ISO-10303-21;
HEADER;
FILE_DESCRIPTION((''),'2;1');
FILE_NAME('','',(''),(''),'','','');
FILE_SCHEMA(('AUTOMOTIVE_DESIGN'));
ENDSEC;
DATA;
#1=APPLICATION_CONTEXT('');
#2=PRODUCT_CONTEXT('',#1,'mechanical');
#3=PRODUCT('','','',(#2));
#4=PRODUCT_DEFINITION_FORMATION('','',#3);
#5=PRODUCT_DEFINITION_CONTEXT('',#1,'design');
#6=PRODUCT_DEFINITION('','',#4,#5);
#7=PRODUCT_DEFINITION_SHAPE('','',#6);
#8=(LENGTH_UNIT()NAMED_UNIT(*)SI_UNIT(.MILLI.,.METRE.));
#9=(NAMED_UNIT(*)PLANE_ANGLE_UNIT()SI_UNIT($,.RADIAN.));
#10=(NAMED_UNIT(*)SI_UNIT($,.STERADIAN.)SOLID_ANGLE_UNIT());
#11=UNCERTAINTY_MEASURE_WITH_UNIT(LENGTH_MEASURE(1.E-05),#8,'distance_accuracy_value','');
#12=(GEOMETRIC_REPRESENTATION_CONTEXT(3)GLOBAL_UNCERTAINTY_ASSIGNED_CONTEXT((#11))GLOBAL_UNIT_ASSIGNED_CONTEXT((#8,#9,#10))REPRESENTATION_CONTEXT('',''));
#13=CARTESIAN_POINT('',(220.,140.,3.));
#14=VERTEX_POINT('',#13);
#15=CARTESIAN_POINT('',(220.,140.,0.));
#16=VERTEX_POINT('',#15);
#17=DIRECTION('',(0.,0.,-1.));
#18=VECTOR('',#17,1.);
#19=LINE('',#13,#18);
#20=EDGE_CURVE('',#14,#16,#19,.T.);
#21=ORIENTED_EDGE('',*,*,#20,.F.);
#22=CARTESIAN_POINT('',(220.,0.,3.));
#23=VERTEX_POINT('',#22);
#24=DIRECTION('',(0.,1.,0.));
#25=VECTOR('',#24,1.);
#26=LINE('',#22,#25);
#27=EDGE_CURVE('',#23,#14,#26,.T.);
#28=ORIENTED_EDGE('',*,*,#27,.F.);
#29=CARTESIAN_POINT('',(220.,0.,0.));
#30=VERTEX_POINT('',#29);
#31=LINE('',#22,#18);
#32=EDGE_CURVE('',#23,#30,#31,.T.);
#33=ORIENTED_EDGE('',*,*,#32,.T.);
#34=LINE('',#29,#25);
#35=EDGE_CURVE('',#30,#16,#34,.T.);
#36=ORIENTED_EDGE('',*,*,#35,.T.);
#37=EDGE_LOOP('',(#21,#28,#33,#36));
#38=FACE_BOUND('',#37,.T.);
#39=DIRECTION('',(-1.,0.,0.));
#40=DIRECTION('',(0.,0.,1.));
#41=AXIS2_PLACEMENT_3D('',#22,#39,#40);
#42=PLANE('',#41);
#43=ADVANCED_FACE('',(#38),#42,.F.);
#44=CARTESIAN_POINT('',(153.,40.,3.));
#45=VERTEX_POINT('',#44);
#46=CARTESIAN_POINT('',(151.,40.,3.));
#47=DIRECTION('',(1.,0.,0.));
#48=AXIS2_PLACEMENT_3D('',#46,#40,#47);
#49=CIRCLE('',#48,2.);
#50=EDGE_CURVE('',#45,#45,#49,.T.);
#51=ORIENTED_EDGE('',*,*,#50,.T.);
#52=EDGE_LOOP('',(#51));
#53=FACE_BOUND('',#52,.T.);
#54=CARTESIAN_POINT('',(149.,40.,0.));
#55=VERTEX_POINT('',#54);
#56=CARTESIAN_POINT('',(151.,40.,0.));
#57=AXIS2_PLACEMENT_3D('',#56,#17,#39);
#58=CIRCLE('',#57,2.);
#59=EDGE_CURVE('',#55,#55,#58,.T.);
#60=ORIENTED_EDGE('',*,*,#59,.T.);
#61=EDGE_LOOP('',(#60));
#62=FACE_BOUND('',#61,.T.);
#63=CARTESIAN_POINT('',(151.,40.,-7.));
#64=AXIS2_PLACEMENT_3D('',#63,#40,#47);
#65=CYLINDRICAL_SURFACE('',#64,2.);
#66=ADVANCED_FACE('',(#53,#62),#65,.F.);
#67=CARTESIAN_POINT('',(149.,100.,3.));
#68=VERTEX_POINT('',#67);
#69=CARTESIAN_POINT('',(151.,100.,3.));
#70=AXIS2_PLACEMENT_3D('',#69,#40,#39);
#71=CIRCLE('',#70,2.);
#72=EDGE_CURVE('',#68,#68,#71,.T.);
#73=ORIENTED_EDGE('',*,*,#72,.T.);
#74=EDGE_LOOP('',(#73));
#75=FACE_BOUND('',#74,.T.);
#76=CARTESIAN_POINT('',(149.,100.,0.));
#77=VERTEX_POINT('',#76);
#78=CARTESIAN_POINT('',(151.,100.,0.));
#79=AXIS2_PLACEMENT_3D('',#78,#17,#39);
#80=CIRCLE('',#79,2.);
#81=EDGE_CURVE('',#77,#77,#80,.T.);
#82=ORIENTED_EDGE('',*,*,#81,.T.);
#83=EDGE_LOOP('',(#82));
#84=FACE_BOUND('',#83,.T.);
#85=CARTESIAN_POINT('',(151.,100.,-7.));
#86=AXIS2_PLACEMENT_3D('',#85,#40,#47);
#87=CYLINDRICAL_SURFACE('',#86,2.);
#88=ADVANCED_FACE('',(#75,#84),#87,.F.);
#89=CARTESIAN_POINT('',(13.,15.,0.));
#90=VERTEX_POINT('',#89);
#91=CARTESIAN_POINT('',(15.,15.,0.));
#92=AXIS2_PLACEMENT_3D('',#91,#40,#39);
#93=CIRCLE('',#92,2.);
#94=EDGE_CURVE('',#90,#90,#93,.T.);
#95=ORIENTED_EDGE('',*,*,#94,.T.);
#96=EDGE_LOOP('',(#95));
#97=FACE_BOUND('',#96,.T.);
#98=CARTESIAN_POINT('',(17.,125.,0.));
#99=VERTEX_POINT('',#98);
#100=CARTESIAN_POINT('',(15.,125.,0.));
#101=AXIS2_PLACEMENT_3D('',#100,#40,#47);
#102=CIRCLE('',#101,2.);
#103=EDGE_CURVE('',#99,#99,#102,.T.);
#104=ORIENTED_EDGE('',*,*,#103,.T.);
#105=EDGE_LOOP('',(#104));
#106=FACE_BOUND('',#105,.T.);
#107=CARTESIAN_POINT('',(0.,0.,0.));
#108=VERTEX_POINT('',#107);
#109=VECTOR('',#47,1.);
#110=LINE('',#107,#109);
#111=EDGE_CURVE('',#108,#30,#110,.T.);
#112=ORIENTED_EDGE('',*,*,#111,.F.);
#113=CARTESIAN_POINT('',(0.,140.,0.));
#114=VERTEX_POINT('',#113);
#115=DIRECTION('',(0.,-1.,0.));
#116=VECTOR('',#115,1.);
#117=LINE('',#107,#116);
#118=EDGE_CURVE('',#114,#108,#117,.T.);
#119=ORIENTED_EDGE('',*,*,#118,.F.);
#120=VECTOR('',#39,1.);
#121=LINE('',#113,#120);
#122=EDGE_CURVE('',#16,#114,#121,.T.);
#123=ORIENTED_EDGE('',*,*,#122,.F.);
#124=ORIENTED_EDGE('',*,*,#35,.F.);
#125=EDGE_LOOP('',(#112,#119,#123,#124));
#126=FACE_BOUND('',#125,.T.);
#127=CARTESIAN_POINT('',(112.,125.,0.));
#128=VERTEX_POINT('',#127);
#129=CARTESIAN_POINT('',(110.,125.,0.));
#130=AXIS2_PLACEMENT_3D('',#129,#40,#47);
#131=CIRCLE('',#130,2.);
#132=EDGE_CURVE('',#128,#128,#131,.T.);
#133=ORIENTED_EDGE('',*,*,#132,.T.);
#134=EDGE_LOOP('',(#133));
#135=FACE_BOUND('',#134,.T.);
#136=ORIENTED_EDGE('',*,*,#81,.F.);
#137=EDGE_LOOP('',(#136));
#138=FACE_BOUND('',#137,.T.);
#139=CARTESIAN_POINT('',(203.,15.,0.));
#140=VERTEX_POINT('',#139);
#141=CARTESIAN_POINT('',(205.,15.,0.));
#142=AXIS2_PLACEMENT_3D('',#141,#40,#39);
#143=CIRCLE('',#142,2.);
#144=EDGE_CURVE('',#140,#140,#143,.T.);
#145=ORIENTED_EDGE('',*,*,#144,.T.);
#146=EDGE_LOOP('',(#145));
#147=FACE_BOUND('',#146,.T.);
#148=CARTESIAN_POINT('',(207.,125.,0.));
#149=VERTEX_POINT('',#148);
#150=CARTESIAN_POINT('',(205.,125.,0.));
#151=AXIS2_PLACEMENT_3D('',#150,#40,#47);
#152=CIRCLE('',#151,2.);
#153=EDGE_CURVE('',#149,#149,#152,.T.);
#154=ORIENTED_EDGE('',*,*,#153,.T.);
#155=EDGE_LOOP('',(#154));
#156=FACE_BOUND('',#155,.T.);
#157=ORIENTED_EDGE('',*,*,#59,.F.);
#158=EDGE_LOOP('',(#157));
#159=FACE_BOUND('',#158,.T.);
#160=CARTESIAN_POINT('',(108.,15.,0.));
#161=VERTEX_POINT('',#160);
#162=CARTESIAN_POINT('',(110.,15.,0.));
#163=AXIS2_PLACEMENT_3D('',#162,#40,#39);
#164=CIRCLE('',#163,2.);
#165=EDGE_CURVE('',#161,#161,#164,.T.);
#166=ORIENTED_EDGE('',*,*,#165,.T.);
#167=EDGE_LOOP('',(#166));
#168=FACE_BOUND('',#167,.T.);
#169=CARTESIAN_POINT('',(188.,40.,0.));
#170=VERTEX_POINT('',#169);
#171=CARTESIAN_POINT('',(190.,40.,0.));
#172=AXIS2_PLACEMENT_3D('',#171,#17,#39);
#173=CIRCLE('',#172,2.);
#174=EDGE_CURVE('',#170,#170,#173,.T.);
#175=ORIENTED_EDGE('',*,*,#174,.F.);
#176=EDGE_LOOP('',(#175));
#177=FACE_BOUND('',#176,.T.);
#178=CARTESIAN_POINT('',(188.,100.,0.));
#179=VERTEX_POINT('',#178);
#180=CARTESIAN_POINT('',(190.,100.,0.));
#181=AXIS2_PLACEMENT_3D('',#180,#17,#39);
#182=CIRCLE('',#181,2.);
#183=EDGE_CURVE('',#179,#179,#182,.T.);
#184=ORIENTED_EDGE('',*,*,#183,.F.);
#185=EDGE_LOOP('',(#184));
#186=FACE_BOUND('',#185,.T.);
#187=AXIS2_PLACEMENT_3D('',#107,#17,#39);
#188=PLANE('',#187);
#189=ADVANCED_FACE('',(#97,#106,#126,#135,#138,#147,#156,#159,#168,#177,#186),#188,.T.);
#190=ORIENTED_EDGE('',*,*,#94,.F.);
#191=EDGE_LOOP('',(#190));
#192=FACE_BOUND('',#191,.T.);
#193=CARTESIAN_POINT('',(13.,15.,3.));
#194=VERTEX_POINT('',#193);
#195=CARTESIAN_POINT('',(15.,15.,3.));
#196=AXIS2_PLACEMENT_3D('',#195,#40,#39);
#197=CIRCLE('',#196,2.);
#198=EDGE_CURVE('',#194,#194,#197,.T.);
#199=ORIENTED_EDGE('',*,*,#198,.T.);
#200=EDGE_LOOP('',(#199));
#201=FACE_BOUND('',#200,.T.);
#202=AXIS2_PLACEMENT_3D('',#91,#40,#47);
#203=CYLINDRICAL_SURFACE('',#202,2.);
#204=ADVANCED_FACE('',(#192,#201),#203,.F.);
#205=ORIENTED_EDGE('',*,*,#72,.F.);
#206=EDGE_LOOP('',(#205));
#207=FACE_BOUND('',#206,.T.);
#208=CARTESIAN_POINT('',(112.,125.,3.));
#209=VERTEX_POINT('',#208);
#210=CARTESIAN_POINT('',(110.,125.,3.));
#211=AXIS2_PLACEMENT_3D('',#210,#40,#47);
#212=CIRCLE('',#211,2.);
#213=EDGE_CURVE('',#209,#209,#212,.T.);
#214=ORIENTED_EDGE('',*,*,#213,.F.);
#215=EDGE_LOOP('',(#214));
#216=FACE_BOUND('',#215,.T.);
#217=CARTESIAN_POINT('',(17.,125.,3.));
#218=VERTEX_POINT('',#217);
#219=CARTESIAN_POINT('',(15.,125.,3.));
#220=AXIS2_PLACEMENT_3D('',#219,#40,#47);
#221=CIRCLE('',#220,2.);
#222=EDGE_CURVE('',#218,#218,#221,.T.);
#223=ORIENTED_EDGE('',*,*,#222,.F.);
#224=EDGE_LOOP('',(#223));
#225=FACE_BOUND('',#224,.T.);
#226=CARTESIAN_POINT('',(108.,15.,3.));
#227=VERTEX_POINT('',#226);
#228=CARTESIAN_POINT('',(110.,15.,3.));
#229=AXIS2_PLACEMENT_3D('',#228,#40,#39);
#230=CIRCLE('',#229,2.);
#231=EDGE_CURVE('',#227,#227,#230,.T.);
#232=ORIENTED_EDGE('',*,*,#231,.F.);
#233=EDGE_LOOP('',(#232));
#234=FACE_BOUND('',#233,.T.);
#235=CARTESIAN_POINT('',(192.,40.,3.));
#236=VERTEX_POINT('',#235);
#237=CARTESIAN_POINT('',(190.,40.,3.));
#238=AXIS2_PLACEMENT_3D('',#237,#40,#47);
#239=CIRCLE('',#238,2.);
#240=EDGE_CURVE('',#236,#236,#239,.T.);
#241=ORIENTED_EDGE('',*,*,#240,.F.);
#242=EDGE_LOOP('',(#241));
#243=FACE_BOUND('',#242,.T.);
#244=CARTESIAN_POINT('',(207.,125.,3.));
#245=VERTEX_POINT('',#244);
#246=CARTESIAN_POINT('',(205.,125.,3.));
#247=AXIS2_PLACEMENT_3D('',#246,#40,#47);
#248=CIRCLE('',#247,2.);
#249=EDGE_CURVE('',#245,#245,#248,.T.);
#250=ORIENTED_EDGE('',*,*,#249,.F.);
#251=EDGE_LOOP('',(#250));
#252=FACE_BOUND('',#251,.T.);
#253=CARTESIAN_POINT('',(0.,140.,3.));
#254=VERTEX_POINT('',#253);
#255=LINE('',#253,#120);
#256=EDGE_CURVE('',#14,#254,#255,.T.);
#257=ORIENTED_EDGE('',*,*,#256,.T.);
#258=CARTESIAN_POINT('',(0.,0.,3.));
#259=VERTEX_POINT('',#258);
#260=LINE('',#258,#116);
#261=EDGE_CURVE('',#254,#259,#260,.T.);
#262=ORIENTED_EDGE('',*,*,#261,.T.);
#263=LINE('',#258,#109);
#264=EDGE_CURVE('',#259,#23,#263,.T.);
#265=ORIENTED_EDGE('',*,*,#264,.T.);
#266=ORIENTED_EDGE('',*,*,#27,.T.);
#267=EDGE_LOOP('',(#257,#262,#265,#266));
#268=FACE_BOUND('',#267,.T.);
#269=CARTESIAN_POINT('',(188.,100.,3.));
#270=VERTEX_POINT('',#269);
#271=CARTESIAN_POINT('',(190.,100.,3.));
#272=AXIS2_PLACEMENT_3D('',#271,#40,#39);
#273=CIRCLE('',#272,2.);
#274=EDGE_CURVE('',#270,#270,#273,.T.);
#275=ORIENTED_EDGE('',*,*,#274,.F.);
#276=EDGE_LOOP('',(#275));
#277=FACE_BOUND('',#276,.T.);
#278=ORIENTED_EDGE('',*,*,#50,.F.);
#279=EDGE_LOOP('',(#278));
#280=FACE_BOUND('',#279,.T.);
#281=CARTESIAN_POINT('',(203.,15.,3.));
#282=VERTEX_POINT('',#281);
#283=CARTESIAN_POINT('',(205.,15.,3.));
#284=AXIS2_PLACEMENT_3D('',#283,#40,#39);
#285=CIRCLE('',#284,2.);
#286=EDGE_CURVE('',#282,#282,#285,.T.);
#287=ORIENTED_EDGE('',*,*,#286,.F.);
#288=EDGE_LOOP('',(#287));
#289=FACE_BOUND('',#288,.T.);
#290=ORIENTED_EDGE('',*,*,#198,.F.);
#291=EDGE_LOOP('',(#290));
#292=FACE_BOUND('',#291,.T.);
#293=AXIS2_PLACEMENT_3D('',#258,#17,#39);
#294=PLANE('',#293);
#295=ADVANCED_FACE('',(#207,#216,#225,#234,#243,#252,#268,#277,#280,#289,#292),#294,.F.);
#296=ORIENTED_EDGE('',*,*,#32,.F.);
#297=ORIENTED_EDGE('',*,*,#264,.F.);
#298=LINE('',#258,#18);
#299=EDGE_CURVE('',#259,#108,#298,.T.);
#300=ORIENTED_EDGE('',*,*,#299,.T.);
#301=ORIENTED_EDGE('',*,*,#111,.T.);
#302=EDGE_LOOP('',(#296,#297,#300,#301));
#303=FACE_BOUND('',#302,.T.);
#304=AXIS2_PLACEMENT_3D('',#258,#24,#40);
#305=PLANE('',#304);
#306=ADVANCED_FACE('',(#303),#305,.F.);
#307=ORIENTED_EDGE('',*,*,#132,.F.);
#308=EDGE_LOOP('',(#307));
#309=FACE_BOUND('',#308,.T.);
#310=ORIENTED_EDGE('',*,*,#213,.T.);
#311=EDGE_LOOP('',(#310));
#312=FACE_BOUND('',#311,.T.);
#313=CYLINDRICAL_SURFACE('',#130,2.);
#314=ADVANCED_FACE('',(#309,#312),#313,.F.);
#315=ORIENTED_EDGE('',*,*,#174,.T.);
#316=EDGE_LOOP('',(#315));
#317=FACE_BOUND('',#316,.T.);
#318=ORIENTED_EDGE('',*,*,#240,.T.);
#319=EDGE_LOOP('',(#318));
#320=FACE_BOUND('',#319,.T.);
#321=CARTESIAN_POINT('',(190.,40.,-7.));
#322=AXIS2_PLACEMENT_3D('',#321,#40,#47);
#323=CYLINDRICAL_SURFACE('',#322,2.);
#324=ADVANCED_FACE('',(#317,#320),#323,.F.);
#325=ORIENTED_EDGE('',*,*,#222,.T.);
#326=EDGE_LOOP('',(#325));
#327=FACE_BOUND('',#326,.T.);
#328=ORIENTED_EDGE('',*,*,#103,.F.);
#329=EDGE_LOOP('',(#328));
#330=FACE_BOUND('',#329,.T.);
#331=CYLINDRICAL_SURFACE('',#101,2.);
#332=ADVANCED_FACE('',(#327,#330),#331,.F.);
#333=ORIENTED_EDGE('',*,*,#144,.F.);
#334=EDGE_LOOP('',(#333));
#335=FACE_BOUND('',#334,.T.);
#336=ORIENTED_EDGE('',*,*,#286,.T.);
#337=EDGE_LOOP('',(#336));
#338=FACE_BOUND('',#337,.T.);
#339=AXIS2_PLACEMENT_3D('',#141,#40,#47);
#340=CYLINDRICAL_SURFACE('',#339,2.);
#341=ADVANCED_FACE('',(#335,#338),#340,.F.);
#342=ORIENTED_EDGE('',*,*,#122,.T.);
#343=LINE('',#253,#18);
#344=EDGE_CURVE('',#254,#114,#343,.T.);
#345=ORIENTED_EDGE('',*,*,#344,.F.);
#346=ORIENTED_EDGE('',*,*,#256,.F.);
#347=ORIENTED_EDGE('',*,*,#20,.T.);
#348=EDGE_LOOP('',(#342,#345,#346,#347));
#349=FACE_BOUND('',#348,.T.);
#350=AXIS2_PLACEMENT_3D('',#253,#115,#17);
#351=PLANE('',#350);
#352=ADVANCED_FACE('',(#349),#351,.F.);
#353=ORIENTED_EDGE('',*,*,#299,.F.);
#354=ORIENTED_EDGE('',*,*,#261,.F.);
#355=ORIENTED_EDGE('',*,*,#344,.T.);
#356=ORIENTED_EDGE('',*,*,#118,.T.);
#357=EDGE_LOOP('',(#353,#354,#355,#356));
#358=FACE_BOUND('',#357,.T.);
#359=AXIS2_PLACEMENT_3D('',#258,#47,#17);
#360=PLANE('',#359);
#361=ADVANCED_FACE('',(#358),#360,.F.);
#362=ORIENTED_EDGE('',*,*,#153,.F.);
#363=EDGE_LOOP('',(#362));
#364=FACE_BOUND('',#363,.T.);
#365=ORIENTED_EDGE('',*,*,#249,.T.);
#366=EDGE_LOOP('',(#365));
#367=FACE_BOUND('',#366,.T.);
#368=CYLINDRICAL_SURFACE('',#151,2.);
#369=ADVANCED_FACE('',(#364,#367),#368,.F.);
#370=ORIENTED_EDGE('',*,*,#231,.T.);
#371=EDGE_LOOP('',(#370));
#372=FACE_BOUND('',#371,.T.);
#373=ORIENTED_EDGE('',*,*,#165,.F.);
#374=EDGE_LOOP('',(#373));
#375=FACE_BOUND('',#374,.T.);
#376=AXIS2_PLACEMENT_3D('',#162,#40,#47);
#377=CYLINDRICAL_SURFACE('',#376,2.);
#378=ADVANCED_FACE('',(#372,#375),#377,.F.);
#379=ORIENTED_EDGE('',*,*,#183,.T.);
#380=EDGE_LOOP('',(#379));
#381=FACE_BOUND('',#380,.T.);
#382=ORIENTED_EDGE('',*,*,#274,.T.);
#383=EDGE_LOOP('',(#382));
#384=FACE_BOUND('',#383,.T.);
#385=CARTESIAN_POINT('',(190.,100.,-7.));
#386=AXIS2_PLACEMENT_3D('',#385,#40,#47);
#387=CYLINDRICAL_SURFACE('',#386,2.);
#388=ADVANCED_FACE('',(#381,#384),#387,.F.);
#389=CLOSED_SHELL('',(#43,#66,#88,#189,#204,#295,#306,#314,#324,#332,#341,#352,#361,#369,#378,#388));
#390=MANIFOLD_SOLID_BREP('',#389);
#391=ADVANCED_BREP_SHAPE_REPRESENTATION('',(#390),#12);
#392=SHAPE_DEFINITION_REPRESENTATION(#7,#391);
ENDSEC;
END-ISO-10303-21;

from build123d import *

# Parameters (mm, degrees)
IZIM1_W                     = 220
IZIM1_H                     = 140
Y_KSEKLIK_EKSTR_ZYON1_DEPTH = 3
IZIM2_R                     = 2
KES_EKSTR_ZYON1_DEPTH       = 3
IZIM4_R                     = 2
KES_EKSTR_ZYON3_DEPTH       = 10


with BuildPart() as part:
    # Çizim1 → Yükseklik-Ekstrüzyon1 (new body)
    with BuildSketch(Plane.XY):
        with Locations((110, 70)):
            Rectangle(IZIM1_W, IZIM1_H)
    extrude(amount=Y_KSEKLIK_EKSTR_ZYON1_DEPTH)

    # Çizim2 → Kes-Ekstrüzyon1 (cut)
    with BuildSketch(Plane.XY.offset(3)):
        with Locations((15, 125)):
            Circle(IZIM2_R)
        with Locations((205, 125)):
            Circle(IZIM2_R)
        with Locations((110, 125)):
            Circle(IZIM2_R)
        with Locations(Location((205, 15, 0), (0, 0, 180))):
            Circle(IZIM2_R)
        with Locations(Location((110, 15, 0), (0, 0, 180))):
            Circle(IZIM2_R)
        with Locations(Location((15, 15, 0), (0, 0, 180))):
            Circle(IZIM2_R)
    extrude(amount=-KES_EKSTR_ZYON1_DEPTH, mode=Mode.SUBTRACT)

    # Çizim4 → Kes-Ekstrüzyon3 (cut)
    with BuildSketch(Plane.XY.offset(3)):
        with Locations((190, 40)):
            Circle(IZIM4_R)
        with Locations((151, 40)):
            Circle(IZIM4_R)
        with Locations(Location((190, 100, 0), (0, 0, 180))):
            Circle(IZIM4_R)
        with Locations(Location((151, 100, 0), (0, 0, 180))):
            Circle(IZIM4_R)
    extrude(amount=-KES_EKSTR_ZYON3_DEPTH, mode=Mode.SUBTRACT)


solid = part.part
